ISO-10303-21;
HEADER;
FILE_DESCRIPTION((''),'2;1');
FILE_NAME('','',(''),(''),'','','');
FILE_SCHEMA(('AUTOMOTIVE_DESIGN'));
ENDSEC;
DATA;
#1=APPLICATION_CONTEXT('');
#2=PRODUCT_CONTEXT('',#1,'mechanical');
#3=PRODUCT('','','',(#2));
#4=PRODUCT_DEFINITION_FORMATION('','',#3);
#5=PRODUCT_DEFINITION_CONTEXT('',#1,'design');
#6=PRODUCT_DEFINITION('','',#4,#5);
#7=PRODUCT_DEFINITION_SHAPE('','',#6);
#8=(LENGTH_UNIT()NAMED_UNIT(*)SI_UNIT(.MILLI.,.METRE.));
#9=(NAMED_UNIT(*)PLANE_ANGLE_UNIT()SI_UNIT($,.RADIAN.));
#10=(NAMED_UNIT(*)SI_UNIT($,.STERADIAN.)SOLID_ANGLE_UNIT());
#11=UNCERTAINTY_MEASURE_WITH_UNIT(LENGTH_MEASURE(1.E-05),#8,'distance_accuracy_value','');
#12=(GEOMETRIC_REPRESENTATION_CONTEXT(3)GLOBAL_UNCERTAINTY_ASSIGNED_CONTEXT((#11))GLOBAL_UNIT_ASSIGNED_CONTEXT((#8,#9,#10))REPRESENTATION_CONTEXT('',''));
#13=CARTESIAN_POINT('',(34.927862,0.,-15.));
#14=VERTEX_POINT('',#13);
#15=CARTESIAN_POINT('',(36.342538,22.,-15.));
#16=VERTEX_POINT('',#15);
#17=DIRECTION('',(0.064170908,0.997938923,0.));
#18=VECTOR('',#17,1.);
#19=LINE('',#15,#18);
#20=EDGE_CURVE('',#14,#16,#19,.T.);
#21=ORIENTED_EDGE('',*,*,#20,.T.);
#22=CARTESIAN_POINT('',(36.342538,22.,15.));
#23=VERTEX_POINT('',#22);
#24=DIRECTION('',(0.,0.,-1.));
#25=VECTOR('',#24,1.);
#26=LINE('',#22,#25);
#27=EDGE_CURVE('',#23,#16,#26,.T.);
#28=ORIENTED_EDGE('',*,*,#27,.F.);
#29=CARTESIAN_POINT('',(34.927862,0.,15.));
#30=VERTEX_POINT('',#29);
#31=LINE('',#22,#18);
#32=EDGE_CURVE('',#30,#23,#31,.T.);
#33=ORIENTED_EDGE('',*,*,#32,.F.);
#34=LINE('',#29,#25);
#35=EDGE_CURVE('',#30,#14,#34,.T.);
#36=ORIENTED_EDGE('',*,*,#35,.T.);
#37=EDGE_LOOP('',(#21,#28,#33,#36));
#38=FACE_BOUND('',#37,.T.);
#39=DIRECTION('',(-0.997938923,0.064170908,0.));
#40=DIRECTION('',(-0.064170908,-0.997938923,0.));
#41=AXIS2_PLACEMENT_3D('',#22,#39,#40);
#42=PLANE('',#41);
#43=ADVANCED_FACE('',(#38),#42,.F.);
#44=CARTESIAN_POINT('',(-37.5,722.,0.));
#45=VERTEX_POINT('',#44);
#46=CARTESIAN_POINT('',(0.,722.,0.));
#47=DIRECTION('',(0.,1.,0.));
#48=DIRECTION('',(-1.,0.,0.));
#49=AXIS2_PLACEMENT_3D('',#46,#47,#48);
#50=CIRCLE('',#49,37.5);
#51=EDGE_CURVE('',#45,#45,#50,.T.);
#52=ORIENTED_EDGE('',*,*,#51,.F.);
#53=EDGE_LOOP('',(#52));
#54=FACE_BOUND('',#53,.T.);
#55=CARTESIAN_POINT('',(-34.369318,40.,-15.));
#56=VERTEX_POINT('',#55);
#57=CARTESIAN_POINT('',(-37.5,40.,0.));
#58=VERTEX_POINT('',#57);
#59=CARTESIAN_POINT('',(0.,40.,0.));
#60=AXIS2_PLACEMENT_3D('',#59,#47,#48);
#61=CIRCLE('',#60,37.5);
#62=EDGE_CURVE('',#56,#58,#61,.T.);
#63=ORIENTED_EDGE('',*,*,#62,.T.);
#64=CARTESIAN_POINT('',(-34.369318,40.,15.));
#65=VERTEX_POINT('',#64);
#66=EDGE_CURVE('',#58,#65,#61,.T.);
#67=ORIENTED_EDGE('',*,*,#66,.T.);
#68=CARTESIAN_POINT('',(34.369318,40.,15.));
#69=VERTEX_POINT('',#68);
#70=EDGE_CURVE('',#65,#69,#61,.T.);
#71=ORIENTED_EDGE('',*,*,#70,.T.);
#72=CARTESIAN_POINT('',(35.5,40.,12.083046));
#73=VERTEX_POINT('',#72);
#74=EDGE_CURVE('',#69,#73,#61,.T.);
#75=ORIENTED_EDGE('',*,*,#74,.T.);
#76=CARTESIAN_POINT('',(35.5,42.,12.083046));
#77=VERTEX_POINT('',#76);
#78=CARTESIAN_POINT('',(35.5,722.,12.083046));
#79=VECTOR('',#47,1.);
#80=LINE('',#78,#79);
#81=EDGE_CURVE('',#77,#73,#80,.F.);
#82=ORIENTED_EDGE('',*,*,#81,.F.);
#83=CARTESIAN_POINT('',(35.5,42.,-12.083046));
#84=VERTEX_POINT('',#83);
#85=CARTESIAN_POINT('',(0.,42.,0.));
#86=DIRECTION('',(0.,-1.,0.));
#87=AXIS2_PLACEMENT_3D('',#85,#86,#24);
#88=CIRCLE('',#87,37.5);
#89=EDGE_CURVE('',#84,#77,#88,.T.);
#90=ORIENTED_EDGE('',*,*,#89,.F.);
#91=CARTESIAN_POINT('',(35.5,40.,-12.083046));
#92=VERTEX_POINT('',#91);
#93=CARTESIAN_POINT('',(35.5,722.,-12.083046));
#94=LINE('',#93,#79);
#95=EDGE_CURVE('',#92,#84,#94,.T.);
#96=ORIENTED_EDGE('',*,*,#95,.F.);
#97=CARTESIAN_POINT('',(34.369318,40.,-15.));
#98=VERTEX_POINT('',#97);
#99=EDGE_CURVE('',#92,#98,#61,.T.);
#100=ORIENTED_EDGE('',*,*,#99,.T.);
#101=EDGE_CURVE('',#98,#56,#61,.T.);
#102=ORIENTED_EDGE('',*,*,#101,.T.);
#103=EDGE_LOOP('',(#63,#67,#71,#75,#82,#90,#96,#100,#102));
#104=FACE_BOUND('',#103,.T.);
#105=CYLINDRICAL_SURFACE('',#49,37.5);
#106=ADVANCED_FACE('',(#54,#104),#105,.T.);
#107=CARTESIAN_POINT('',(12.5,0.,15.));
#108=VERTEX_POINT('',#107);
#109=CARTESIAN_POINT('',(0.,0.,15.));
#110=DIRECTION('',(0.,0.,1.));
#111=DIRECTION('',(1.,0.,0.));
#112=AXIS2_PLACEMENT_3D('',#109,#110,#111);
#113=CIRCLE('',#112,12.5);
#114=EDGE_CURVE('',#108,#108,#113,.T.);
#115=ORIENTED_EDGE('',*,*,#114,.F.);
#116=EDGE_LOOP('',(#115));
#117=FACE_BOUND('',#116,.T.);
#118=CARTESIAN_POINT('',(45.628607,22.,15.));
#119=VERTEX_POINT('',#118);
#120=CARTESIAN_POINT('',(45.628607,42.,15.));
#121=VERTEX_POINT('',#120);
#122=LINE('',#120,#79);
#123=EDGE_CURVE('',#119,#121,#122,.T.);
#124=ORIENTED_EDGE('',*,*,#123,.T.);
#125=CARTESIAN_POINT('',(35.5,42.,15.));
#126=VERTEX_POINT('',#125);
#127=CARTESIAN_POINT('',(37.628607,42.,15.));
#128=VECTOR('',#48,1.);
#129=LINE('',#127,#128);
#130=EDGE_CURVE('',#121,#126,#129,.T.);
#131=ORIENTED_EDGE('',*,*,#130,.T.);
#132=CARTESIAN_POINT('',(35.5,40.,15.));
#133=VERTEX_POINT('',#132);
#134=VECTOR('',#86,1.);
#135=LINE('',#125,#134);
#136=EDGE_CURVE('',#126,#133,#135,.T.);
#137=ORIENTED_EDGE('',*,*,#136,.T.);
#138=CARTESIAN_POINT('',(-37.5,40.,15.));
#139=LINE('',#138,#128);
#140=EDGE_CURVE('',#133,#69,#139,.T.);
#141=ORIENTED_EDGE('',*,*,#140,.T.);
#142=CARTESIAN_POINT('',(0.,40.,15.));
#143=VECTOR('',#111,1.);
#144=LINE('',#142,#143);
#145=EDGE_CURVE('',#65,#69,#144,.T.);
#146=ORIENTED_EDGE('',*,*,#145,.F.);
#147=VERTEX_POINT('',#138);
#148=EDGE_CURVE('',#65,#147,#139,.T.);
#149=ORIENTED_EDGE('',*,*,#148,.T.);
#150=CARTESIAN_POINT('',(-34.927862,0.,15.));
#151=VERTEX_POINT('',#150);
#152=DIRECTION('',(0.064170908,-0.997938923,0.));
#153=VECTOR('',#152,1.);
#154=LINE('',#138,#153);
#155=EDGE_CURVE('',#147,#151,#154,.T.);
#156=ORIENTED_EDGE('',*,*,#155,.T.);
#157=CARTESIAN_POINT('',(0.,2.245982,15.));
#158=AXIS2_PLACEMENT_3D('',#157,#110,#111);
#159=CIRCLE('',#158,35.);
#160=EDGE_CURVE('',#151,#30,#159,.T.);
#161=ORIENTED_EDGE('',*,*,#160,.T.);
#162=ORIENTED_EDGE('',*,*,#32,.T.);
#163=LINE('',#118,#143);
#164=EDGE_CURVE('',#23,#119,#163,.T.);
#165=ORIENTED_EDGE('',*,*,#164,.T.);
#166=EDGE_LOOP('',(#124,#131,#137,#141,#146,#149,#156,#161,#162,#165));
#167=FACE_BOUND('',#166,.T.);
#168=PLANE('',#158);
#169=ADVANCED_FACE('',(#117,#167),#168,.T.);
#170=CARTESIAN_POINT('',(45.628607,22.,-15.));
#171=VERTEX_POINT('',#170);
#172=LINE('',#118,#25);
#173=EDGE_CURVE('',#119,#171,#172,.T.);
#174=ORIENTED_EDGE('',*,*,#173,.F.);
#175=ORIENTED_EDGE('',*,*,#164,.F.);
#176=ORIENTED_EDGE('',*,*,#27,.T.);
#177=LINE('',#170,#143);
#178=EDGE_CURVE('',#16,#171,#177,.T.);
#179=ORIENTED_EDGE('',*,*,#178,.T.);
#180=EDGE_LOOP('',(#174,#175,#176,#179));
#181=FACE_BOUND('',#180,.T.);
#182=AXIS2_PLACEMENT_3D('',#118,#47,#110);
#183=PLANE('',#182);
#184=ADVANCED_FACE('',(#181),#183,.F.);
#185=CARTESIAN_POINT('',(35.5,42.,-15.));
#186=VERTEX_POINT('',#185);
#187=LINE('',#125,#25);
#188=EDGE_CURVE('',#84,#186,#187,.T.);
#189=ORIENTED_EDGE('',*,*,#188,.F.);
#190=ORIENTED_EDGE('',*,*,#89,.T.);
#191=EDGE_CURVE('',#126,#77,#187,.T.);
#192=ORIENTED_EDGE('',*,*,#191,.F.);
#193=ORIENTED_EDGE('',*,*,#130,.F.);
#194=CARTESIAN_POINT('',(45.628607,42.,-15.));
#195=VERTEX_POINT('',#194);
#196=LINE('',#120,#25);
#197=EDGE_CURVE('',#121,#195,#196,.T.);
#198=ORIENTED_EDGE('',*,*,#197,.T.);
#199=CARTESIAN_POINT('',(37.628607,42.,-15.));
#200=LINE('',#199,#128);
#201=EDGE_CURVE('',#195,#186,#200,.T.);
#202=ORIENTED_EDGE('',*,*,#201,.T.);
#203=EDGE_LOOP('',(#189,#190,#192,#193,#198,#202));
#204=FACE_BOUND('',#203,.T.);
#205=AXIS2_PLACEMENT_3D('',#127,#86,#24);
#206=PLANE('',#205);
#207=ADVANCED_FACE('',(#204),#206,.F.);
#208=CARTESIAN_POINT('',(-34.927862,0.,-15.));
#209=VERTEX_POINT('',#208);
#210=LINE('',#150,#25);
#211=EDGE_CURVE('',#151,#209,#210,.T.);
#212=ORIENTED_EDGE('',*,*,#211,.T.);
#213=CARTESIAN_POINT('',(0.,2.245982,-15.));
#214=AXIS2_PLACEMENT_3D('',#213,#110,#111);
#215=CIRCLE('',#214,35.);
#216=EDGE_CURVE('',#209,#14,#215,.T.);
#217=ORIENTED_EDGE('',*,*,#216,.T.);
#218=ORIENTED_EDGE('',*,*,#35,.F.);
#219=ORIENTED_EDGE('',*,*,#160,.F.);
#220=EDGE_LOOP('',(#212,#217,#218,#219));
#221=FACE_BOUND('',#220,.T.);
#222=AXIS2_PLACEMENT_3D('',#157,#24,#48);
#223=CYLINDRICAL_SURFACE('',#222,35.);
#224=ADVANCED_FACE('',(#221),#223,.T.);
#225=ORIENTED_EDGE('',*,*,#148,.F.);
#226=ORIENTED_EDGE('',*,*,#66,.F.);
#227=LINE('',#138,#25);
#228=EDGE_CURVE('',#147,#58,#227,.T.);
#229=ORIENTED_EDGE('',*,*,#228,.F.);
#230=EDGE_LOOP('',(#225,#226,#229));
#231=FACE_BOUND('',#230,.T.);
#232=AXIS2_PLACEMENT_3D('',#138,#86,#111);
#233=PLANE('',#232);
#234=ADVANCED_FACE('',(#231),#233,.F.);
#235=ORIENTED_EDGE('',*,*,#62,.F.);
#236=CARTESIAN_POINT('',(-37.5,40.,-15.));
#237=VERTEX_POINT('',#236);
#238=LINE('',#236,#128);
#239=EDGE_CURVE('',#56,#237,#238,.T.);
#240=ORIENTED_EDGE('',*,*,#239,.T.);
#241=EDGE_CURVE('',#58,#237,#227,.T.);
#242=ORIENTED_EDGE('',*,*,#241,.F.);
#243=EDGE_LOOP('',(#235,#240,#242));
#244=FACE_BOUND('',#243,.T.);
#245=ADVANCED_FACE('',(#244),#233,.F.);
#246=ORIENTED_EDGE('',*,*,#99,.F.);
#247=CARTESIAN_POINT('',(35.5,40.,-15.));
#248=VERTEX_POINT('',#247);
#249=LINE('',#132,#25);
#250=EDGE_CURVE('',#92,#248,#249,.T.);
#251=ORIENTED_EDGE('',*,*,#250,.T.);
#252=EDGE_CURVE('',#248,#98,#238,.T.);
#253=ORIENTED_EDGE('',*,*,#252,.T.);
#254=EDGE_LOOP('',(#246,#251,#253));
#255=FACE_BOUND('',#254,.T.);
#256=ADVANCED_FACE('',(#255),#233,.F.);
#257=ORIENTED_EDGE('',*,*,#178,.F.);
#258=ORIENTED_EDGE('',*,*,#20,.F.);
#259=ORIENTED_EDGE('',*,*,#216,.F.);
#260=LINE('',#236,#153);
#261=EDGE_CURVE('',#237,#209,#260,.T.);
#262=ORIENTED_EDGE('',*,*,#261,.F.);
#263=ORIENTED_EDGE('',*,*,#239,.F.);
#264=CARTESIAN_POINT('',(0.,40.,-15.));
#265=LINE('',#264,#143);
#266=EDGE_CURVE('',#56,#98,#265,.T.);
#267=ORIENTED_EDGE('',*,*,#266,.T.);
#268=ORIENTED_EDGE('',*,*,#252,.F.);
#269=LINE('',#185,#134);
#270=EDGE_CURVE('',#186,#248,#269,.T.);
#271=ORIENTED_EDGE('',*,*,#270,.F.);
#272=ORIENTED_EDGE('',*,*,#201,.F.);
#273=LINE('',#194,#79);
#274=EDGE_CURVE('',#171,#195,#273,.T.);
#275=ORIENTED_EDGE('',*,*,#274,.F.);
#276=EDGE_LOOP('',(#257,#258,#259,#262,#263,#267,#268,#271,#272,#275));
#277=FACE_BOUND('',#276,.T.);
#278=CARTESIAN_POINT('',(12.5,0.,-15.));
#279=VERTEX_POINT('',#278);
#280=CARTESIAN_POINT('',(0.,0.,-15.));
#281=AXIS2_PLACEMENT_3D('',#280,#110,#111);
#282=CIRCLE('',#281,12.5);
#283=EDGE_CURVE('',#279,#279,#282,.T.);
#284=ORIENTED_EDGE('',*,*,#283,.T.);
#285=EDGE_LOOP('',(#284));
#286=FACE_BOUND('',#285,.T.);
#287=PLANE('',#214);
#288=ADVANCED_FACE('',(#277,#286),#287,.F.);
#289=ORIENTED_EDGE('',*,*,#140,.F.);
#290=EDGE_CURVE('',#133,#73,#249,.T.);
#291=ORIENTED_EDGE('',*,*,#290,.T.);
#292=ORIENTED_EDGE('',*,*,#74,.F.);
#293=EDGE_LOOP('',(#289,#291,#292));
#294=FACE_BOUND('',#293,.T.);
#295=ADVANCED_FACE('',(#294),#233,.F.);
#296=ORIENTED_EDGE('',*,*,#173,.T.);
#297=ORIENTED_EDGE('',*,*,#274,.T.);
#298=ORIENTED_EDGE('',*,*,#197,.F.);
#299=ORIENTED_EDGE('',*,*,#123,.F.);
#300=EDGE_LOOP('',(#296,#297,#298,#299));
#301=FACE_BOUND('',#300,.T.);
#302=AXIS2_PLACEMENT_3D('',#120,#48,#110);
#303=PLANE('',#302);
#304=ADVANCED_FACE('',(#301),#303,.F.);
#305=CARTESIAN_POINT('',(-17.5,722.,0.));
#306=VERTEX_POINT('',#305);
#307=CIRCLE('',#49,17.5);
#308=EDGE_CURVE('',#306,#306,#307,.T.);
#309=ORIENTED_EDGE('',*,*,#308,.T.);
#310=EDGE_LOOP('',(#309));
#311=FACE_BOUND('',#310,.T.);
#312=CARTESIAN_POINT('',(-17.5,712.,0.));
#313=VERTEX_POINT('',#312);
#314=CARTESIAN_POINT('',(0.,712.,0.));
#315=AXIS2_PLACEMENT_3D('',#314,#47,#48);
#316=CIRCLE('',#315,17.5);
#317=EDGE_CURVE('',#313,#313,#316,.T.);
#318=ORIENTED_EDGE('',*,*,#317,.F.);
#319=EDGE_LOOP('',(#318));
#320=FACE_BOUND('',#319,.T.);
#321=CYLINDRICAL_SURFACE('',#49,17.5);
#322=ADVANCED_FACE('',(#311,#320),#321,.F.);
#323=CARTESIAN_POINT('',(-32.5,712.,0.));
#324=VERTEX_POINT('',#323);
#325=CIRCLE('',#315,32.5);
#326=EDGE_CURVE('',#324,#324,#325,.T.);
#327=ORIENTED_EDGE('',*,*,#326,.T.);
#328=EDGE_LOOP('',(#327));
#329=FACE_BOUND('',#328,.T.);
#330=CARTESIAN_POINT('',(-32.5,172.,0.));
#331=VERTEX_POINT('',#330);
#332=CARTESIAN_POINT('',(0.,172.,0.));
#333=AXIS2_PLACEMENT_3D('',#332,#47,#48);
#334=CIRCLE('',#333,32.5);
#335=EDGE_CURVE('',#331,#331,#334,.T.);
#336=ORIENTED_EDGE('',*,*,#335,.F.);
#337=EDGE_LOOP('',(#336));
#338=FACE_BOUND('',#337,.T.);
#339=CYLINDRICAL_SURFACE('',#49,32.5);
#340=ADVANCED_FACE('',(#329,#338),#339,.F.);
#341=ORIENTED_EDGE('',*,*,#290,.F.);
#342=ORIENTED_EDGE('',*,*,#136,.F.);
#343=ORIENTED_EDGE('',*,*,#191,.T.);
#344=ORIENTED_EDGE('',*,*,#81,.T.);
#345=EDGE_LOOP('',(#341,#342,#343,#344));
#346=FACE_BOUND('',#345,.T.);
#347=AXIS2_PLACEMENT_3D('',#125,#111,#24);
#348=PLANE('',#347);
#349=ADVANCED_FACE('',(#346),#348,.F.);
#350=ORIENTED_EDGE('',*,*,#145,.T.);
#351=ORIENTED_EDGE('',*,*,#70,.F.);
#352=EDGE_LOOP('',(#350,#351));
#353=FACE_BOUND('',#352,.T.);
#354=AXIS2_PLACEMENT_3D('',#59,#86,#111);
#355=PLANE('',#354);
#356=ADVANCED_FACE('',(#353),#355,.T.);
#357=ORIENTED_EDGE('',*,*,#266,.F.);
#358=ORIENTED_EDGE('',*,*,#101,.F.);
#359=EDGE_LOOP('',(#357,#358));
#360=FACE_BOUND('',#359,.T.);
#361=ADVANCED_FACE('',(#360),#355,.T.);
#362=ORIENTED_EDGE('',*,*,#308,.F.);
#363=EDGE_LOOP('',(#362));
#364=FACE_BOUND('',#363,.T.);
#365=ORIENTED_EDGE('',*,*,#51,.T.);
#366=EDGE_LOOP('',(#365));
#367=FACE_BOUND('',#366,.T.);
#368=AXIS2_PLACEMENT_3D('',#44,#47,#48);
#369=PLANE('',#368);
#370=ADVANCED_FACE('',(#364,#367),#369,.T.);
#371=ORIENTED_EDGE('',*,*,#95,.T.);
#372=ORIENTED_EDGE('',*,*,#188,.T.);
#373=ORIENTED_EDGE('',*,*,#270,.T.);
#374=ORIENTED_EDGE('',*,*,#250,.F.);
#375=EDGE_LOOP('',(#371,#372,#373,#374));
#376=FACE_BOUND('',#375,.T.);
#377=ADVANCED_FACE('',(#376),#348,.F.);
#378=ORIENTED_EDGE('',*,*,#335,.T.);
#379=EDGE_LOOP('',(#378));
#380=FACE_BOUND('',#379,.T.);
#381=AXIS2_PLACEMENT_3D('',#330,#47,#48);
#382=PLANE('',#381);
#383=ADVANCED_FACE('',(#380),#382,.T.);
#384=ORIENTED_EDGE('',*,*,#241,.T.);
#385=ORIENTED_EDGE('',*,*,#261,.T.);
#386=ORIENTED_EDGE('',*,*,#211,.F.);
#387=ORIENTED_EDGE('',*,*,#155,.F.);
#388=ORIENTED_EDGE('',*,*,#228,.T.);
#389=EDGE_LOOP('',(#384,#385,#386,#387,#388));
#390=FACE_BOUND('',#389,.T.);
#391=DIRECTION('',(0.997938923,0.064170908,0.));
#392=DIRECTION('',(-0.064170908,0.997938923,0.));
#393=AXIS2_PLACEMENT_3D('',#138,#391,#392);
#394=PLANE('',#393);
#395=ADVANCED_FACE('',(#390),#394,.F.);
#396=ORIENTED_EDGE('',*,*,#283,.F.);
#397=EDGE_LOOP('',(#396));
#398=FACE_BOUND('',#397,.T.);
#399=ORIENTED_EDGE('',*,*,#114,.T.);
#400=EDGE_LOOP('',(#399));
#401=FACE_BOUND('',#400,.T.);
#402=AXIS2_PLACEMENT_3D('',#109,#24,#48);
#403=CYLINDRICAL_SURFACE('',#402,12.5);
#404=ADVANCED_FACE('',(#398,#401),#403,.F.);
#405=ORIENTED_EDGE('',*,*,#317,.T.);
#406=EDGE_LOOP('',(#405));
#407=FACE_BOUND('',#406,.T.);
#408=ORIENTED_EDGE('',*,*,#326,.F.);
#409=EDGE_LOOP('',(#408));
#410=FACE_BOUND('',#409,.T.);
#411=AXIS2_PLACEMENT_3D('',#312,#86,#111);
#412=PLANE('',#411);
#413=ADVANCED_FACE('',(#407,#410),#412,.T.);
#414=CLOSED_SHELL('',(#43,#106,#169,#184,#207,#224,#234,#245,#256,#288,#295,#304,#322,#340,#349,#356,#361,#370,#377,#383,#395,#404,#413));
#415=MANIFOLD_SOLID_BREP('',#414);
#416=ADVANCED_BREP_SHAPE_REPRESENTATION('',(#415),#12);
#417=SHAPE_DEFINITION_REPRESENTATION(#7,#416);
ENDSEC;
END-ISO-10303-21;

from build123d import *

# Parameters (mm, degrees)
SKETCH1_R           = 12.5
BOSS_EXTRUDE1_DEPTH = 15


with BuildPart() as part:
    # Sketch1 → Boss-Extrude1 (new body, symmetric)
    with BuildSketch(Plane.XY):
        with BuildLine():
            Line((37.628606884, 42), (35.5, 42))
            Line((35.5, 42), (35.5, 40))
            Line((35.5, 40), (-37.5, 40))
            Line((-37.5, 40), (-34.927862315, 0))
            ThreePointArc((-34.927862315, 0), (0, -32.754018227), (34.927862315, 0))
            Line((34.927862315, 0), (36.342538042, 22))
            Line((36.342538042, 22), (45.628606884, 22))
            Line((45.628606884, 22), (45.628606884, 42))
            Line((45.628606884, 42), (37.628606884, 42))
        make_face()
        Circle(SKETCH1_R, mode=Mode.SUBTRACT)
    extrude(amount=BOSS_EXTRUDE1_DEPTH, both=True)

    # Sketch2 → Revolve1 (revolve)
    with BuildSketch(Plane.XY):
        Polygon((-37.5, 722), (-17.5, 722), (-17.5, 712), (-32.5, 712), (-32.5, 172), (0, 172), (0, 40), (-37.5, 40), align=None)
    revolve(axis=Axis((0, 722, 0), (0, -1, 0)))


solid = part.part
